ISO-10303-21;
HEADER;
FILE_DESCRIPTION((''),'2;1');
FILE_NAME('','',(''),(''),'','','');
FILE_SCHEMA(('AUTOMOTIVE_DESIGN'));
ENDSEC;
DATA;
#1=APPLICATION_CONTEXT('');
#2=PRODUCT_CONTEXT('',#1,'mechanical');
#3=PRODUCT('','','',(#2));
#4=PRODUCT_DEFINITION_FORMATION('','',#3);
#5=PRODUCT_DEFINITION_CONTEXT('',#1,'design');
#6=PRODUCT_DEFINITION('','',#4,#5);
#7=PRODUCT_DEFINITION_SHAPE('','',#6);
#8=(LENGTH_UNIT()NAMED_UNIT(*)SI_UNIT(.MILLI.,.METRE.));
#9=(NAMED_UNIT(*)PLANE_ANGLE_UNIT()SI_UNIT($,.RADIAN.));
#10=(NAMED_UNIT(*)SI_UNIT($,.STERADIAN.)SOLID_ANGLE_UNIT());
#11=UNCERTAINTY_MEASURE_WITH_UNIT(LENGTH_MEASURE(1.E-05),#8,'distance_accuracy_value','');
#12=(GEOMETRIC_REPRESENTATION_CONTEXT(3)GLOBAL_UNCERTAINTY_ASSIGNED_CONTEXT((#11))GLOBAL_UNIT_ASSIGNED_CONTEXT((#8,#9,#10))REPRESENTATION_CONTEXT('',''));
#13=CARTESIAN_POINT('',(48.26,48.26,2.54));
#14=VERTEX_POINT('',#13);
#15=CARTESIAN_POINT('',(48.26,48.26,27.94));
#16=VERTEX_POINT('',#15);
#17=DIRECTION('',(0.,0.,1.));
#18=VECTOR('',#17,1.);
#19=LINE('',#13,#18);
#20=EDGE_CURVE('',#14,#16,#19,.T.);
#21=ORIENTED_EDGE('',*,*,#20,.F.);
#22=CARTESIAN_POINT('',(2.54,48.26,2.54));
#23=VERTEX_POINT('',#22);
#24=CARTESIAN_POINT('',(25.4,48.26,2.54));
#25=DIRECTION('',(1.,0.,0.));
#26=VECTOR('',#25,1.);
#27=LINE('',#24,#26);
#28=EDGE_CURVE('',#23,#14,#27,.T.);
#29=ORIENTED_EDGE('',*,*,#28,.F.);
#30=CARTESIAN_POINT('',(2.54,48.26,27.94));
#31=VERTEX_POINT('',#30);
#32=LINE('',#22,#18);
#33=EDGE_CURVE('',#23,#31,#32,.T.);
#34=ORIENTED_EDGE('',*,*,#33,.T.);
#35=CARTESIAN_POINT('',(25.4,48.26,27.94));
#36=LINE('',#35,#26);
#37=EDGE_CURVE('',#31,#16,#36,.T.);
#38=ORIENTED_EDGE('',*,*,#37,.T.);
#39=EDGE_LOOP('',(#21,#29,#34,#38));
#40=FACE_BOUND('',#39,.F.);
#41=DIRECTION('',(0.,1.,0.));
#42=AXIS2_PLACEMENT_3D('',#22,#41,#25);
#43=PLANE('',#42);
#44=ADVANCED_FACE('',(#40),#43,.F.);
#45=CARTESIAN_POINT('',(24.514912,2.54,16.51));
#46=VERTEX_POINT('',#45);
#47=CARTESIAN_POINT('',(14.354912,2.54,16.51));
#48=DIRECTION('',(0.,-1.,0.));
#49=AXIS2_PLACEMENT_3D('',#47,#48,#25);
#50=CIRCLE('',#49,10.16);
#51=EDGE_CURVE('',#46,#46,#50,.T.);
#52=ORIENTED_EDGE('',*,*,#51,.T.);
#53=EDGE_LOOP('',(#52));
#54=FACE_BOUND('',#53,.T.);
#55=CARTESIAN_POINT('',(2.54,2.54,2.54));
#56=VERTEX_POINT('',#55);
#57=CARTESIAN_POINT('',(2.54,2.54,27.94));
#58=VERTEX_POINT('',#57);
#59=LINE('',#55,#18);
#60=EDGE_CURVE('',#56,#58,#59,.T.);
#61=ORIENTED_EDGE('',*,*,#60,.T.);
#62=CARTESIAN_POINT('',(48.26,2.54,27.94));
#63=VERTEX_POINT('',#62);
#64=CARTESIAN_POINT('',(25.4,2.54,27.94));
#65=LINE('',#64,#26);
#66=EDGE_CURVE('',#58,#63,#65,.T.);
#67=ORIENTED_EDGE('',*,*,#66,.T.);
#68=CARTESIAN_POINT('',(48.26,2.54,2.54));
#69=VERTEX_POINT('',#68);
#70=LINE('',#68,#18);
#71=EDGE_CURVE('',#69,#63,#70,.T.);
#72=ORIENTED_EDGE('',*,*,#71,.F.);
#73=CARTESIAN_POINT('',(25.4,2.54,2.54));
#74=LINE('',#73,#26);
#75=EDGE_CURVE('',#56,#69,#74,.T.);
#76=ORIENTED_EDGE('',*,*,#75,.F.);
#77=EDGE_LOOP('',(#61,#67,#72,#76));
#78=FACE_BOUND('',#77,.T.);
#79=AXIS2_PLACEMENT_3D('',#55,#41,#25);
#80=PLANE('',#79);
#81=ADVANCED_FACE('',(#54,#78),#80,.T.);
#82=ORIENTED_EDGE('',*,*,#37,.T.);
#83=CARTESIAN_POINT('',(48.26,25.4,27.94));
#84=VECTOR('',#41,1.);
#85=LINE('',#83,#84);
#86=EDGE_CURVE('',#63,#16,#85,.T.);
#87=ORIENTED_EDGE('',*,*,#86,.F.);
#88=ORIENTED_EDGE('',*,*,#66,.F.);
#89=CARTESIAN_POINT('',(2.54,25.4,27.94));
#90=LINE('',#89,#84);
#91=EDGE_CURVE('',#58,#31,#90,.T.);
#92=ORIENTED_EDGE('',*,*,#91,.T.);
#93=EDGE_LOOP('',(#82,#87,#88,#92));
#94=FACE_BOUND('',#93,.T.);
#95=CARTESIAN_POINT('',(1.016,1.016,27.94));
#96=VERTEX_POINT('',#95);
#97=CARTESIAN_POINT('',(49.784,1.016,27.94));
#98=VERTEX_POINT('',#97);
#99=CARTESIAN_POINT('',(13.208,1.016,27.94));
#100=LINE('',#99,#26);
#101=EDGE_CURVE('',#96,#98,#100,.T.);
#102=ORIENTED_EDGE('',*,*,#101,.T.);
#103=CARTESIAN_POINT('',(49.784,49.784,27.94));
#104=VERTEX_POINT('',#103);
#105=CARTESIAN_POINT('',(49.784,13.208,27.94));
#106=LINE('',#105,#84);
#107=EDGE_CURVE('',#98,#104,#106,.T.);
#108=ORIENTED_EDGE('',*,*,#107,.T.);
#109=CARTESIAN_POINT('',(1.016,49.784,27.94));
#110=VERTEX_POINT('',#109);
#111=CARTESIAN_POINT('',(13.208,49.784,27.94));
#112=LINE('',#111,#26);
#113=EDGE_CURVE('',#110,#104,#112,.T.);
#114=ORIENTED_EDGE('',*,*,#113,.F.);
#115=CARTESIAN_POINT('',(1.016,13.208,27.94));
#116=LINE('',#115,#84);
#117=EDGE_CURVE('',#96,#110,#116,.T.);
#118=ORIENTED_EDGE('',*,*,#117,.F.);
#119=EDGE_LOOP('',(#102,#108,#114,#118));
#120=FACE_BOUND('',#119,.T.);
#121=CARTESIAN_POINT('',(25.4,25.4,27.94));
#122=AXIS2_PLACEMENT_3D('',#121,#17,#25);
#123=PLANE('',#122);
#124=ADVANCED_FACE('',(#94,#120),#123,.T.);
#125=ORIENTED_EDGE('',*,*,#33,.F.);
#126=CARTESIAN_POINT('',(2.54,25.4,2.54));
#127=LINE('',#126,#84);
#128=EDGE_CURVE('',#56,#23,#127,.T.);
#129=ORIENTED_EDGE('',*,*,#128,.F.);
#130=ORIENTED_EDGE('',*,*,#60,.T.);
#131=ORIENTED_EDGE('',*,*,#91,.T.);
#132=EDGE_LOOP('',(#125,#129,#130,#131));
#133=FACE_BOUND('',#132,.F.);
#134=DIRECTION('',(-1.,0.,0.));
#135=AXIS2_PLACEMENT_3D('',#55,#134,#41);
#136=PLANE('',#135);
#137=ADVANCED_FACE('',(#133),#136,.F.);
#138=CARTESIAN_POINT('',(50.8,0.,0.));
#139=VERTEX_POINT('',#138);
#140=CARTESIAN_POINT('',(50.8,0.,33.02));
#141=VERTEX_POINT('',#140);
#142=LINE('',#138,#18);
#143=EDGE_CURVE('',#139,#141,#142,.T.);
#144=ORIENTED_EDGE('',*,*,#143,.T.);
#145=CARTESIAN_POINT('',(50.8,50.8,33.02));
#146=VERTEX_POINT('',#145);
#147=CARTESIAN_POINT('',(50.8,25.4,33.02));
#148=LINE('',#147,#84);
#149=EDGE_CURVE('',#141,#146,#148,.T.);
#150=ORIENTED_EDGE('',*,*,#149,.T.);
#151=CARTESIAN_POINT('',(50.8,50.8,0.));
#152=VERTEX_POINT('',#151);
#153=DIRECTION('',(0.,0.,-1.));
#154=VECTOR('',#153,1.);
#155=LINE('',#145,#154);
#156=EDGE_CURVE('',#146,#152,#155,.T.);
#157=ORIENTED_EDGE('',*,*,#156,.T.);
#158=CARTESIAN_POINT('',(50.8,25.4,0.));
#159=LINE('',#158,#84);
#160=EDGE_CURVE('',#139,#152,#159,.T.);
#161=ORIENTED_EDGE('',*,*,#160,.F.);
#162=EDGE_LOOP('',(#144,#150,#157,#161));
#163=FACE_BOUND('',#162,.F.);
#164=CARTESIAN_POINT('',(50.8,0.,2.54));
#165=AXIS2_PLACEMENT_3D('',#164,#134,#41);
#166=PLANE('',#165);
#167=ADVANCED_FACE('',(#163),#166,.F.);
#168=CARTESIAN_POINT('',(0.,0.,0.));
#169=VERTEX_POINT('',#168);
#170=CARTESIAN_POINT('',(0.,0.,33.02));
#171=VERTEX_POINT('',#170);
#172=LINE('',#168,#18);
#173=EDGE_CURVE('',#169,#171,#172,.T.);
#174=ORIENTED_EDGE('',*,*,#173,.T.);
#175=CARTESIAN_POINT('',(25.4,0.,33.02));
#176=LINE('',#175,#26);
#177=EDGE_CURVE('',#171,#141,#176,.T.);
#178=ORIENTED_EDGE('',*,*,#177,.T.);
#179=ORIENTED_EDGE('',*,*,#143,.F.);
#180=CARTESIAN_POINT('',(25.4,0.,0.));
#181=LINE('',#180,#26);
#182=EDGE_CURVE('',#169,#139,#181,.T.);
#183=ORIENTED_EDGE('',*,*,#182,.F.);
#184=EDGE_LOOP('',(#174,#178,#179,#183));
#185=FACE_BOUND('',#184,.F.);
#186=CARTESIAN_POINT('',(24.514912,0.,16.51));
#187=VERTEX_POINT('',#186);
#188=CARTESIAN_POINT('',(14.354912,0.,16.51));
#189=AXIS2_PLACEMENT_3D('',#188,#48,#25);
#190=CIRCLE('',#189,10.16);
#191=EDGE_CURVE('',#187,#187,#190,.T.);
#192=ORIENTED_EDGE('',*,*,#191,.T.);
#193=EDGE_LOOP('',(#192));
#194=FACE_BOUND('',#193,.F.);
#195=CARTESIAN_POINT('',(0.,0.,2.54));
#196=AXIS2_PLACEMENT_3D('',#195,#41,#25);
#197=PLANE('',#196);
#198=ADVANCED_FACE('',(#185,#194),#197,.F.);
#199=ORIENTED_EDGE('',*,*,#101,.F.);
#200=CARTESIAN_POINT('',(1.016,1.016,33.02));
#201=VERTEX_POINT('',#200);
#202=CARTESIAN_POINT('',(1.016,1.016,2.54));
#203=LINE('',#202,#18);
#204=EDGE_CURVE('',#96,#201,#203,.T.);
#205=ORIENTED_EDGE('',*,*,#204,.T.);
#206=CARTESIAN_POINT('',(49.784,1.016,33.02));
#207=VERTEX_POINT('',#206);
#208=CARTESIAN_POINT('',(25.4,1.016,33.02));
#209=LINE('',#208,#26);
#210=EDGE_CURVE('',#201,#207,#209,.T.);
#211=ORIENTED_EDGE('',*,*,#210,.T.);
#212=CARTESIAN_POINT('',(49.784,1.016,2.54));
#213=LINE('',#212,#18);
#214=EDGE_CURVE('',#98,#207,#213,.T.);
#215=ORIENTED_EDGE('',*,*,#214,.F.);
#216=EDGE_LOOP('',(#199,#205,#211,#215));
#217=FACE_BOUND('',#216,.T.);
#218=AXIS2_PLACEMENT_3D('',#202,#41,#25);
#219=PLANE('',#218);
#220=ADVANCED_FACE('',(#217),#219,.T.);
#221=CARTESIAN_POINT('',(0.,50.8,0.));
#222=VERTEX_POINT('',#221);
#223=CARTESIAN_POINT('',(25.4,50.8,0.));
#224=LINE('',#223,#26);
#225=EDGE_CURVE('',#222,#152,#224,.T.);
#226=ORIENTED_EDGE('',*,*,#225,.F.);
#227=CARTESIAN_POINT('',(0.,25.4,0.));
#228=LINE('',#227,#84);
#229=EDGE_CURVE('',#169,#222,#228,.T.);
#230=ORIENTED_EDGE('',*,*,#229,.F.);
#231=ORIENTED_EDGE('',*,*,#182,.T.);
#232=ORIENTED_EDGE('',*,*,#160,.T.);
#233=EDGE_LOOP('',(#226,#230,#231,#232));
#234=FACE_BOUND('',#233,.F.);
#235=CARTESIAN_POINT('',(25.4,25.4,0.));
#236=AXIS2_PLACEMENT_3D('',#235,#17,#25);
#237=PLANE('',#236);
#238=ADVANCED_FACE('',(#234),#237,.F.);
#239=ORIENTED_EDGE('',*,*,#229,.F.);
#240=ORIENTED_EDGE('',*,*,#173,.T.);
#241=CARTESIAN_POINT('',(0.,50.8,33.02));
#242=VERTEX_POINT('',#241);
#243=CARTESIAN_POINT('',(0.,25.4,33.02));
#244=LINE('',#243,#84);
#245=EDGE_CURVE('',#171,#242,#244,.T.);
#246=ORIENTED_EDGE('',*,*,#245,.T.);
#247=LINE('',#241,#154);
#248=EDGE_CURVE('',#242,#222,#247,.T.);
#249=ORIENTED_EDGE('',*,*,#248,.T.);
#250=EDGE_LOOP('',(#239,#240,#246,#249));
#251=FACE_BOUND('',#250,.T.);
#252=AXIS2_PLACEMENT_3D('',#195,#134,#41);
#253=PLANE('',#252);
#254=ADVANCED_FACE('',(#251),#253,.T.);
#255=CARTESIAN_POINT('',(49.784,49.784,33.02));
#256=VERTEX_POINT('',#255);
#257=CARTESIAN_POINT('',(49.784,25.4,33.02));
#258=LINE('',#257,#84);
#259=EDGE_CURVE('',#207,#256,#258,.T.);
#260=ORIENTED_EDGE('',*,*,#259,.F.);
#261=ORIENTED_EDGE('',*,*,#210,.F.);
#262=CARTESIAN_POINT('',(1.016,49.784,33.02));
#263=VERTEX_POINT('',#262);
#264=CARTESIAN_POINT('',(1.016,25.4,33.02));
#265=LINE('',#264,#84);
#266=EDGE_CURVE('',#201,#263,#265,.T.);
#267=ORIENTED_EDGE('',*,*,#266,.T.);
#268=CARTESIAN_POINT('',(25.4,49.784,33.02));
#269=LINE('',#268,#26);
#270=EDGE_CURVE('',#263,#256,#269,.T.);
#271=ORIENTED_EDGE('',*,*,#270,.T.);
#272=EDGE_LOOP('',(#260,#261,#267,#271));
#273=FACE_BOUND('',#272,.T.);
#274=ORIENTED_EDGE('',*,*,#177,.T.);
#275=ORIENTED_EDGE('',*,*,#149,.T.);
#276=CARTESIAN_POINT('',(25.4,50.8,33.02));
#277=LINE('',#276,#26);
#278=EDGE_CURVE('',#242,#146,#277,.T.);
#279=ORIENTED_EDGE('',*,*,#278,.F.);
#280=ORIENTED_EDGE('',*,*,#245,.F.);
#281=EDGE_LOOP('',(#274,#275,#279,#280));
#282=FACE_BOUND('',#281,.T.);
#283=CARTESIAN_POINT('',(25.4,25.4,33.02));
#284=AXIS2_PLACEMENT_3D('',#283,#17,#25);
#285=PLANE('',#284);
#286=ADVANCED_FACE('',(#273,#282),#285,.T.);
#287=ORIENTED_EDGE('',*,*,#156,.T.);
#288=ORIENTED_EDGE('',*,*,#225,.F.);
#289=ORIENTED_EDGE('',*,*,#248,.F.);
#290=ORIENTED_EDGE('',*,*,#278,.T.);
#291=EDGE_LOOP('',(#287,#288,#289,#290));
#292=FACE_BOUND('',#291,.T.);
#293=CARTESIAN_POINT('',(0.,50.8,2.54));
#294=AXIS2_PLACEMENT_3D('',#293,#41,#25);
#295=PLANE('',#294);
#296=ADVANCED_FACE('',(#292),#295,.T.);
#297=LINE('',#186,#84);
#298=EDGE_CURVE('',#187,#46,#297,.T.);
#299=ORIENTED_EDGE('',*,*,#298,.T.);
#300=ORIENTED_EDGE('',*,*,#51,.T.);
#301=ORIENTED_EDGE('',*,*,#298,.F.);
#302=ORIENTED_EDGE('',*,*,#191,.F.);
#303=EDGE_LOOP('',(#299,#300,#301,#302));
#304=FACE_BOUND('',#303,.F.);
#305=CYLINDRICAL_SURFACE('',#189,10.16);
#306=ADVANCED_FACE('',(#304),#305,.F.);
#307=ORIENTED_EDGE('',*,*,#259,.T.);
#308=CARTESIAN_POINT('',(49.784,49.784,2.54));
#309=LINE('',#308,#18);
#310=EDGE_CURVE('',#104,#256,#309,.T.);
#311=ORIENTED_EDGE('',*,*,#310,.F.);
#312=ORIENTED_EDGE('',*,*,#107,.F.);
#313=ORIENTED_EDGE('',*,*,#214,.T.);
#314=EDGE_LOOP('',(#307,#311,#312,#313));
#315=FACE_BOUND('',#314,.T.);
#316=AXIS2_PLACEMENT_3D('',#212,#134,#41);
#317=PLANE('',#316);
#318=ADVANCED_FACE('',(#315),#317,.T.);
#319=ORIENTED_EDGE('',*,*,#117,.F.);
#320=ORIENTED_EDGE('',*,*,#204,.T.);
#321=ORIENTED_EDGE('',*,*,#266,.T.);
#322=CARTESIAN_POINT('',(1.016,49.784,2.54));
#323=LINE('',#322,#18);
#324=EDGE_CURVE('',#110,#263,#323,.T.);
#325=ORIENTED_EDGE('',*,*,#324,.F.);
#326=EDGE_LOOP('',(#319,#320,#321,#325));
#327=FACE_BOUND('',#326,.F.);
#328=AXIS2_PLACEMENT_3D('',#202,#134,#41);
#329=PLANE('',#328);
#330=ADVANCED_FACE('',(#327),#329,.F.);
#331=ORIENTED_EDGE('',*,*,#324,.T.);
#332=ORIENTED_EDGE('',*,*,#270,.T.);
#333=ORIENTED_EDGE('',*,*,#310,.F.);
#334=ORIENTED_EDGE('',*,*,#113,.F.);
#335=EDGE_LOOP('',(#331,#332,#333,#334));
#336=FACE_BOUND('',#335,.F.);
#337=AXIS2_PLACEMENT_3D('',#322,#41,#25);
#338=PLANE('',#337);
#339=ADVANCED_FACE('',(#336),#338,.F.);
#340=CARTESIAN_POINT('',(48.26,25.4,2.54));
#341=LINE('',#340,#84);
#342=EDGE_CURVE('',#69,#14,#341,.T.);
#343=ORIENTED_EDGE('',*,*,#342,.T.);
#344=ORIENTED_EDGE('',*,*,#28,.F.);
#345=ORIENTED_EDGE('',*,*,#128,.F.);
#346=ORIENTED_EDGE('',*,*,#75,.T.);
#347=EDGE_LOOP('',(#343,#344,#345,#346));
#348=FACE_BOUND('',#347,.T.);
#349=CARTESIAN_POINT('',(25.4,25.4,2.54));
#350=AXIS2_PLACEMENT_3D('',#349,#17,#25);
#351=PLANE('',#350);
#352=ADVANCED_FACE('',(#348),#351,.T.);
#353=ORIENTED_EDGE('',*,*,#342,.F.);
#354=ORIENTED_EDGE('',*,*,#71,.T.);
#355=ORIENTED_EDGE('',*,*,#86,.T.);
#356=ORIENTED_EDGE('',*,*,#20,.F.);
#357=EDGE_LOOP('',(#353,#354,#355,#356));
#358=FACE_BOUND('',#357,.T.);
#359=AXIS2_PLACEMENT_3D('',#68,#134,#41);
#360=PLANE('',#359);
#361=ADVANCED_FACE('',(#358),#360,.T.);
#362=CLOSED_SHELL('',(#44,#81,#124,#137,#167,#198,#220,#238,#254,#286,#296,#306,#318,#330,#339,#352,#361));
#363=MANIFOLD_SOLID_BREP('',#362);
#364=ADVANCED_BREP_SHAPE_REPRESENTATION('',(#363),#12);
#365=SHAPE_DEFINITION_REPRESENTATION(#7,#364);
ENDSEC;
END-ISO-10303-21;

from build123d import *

# Parameters (mm, degrees)
F0_W     = 50.8
F0_H     = 50.8
F1_DEPTH = 2.54
F2_W     = 50.8
F2_H     = 50.8
F2_W_2   = 48.768
F2_H_2   = 48.768
F3_DEPTH = 30.48
F4_W     = 50.8
F4_H     = 50.8
F4_W_2   = 48.768
F4_H_2   = 48.768
F4_W_3   = 45.72
F4_H_3   = 45.72
F5_DEPTH = 25.4
F6_R     = 10.16
F7_DEPTH = 25.4


with BuildPart() as f1:
    # F0 (on Top) → F1 (new body)
    with BuildSketch(Plane.XY):
        with Locations((25.4, 25.4)):
            Rectangle(F0_W, F0_H)
    extrude(amount=F1_DEPTH)

    # F2 (on face) → F3 (join)
    with BuildSketch(Plane.XY.offset(2.54)):
        with Locations((25.4, 25.4)):
            Rectangle(F2_W, F2_H)
        with Locations((25.4, 25.4)):
            Rectangle(F2_W_2, F2_H_2, mode=Mode.SUBTRACT)
    extrude(amount=F3_DEPTH)

    # F4 (on face) → F5 (join)
    with BuildSketch(Plane.XY.offset(2.54)):
        with Locations((25.4, 25.4)):
            Rectangle(F4_W, F4_H)
        with Locations((25.4, 25.4)):
            Rectangle(F4_W_2, F4_H_2, mode=Mode.SUBTRACT)
        with Locations((25.4, 25.4)):
            Rectangle(F4_W_2, F4_H_2)
        with Locations((25.4, 25.4)):
            Rectangle(F4_W_3, F4_H_3, mode=Mode.SUBTRACT)
    extrude(amount=F5_DEPTH)

    # F6 (on face) → F7 (cut)
    with BuildSketch(Plane.XZ):
        with Locations((14.354912, 16.51)):
            Circle(F6_R)
    extrude(amount=-F7_DEPTH, mode=Mode.SUBTRACT)


solid = f1.part
